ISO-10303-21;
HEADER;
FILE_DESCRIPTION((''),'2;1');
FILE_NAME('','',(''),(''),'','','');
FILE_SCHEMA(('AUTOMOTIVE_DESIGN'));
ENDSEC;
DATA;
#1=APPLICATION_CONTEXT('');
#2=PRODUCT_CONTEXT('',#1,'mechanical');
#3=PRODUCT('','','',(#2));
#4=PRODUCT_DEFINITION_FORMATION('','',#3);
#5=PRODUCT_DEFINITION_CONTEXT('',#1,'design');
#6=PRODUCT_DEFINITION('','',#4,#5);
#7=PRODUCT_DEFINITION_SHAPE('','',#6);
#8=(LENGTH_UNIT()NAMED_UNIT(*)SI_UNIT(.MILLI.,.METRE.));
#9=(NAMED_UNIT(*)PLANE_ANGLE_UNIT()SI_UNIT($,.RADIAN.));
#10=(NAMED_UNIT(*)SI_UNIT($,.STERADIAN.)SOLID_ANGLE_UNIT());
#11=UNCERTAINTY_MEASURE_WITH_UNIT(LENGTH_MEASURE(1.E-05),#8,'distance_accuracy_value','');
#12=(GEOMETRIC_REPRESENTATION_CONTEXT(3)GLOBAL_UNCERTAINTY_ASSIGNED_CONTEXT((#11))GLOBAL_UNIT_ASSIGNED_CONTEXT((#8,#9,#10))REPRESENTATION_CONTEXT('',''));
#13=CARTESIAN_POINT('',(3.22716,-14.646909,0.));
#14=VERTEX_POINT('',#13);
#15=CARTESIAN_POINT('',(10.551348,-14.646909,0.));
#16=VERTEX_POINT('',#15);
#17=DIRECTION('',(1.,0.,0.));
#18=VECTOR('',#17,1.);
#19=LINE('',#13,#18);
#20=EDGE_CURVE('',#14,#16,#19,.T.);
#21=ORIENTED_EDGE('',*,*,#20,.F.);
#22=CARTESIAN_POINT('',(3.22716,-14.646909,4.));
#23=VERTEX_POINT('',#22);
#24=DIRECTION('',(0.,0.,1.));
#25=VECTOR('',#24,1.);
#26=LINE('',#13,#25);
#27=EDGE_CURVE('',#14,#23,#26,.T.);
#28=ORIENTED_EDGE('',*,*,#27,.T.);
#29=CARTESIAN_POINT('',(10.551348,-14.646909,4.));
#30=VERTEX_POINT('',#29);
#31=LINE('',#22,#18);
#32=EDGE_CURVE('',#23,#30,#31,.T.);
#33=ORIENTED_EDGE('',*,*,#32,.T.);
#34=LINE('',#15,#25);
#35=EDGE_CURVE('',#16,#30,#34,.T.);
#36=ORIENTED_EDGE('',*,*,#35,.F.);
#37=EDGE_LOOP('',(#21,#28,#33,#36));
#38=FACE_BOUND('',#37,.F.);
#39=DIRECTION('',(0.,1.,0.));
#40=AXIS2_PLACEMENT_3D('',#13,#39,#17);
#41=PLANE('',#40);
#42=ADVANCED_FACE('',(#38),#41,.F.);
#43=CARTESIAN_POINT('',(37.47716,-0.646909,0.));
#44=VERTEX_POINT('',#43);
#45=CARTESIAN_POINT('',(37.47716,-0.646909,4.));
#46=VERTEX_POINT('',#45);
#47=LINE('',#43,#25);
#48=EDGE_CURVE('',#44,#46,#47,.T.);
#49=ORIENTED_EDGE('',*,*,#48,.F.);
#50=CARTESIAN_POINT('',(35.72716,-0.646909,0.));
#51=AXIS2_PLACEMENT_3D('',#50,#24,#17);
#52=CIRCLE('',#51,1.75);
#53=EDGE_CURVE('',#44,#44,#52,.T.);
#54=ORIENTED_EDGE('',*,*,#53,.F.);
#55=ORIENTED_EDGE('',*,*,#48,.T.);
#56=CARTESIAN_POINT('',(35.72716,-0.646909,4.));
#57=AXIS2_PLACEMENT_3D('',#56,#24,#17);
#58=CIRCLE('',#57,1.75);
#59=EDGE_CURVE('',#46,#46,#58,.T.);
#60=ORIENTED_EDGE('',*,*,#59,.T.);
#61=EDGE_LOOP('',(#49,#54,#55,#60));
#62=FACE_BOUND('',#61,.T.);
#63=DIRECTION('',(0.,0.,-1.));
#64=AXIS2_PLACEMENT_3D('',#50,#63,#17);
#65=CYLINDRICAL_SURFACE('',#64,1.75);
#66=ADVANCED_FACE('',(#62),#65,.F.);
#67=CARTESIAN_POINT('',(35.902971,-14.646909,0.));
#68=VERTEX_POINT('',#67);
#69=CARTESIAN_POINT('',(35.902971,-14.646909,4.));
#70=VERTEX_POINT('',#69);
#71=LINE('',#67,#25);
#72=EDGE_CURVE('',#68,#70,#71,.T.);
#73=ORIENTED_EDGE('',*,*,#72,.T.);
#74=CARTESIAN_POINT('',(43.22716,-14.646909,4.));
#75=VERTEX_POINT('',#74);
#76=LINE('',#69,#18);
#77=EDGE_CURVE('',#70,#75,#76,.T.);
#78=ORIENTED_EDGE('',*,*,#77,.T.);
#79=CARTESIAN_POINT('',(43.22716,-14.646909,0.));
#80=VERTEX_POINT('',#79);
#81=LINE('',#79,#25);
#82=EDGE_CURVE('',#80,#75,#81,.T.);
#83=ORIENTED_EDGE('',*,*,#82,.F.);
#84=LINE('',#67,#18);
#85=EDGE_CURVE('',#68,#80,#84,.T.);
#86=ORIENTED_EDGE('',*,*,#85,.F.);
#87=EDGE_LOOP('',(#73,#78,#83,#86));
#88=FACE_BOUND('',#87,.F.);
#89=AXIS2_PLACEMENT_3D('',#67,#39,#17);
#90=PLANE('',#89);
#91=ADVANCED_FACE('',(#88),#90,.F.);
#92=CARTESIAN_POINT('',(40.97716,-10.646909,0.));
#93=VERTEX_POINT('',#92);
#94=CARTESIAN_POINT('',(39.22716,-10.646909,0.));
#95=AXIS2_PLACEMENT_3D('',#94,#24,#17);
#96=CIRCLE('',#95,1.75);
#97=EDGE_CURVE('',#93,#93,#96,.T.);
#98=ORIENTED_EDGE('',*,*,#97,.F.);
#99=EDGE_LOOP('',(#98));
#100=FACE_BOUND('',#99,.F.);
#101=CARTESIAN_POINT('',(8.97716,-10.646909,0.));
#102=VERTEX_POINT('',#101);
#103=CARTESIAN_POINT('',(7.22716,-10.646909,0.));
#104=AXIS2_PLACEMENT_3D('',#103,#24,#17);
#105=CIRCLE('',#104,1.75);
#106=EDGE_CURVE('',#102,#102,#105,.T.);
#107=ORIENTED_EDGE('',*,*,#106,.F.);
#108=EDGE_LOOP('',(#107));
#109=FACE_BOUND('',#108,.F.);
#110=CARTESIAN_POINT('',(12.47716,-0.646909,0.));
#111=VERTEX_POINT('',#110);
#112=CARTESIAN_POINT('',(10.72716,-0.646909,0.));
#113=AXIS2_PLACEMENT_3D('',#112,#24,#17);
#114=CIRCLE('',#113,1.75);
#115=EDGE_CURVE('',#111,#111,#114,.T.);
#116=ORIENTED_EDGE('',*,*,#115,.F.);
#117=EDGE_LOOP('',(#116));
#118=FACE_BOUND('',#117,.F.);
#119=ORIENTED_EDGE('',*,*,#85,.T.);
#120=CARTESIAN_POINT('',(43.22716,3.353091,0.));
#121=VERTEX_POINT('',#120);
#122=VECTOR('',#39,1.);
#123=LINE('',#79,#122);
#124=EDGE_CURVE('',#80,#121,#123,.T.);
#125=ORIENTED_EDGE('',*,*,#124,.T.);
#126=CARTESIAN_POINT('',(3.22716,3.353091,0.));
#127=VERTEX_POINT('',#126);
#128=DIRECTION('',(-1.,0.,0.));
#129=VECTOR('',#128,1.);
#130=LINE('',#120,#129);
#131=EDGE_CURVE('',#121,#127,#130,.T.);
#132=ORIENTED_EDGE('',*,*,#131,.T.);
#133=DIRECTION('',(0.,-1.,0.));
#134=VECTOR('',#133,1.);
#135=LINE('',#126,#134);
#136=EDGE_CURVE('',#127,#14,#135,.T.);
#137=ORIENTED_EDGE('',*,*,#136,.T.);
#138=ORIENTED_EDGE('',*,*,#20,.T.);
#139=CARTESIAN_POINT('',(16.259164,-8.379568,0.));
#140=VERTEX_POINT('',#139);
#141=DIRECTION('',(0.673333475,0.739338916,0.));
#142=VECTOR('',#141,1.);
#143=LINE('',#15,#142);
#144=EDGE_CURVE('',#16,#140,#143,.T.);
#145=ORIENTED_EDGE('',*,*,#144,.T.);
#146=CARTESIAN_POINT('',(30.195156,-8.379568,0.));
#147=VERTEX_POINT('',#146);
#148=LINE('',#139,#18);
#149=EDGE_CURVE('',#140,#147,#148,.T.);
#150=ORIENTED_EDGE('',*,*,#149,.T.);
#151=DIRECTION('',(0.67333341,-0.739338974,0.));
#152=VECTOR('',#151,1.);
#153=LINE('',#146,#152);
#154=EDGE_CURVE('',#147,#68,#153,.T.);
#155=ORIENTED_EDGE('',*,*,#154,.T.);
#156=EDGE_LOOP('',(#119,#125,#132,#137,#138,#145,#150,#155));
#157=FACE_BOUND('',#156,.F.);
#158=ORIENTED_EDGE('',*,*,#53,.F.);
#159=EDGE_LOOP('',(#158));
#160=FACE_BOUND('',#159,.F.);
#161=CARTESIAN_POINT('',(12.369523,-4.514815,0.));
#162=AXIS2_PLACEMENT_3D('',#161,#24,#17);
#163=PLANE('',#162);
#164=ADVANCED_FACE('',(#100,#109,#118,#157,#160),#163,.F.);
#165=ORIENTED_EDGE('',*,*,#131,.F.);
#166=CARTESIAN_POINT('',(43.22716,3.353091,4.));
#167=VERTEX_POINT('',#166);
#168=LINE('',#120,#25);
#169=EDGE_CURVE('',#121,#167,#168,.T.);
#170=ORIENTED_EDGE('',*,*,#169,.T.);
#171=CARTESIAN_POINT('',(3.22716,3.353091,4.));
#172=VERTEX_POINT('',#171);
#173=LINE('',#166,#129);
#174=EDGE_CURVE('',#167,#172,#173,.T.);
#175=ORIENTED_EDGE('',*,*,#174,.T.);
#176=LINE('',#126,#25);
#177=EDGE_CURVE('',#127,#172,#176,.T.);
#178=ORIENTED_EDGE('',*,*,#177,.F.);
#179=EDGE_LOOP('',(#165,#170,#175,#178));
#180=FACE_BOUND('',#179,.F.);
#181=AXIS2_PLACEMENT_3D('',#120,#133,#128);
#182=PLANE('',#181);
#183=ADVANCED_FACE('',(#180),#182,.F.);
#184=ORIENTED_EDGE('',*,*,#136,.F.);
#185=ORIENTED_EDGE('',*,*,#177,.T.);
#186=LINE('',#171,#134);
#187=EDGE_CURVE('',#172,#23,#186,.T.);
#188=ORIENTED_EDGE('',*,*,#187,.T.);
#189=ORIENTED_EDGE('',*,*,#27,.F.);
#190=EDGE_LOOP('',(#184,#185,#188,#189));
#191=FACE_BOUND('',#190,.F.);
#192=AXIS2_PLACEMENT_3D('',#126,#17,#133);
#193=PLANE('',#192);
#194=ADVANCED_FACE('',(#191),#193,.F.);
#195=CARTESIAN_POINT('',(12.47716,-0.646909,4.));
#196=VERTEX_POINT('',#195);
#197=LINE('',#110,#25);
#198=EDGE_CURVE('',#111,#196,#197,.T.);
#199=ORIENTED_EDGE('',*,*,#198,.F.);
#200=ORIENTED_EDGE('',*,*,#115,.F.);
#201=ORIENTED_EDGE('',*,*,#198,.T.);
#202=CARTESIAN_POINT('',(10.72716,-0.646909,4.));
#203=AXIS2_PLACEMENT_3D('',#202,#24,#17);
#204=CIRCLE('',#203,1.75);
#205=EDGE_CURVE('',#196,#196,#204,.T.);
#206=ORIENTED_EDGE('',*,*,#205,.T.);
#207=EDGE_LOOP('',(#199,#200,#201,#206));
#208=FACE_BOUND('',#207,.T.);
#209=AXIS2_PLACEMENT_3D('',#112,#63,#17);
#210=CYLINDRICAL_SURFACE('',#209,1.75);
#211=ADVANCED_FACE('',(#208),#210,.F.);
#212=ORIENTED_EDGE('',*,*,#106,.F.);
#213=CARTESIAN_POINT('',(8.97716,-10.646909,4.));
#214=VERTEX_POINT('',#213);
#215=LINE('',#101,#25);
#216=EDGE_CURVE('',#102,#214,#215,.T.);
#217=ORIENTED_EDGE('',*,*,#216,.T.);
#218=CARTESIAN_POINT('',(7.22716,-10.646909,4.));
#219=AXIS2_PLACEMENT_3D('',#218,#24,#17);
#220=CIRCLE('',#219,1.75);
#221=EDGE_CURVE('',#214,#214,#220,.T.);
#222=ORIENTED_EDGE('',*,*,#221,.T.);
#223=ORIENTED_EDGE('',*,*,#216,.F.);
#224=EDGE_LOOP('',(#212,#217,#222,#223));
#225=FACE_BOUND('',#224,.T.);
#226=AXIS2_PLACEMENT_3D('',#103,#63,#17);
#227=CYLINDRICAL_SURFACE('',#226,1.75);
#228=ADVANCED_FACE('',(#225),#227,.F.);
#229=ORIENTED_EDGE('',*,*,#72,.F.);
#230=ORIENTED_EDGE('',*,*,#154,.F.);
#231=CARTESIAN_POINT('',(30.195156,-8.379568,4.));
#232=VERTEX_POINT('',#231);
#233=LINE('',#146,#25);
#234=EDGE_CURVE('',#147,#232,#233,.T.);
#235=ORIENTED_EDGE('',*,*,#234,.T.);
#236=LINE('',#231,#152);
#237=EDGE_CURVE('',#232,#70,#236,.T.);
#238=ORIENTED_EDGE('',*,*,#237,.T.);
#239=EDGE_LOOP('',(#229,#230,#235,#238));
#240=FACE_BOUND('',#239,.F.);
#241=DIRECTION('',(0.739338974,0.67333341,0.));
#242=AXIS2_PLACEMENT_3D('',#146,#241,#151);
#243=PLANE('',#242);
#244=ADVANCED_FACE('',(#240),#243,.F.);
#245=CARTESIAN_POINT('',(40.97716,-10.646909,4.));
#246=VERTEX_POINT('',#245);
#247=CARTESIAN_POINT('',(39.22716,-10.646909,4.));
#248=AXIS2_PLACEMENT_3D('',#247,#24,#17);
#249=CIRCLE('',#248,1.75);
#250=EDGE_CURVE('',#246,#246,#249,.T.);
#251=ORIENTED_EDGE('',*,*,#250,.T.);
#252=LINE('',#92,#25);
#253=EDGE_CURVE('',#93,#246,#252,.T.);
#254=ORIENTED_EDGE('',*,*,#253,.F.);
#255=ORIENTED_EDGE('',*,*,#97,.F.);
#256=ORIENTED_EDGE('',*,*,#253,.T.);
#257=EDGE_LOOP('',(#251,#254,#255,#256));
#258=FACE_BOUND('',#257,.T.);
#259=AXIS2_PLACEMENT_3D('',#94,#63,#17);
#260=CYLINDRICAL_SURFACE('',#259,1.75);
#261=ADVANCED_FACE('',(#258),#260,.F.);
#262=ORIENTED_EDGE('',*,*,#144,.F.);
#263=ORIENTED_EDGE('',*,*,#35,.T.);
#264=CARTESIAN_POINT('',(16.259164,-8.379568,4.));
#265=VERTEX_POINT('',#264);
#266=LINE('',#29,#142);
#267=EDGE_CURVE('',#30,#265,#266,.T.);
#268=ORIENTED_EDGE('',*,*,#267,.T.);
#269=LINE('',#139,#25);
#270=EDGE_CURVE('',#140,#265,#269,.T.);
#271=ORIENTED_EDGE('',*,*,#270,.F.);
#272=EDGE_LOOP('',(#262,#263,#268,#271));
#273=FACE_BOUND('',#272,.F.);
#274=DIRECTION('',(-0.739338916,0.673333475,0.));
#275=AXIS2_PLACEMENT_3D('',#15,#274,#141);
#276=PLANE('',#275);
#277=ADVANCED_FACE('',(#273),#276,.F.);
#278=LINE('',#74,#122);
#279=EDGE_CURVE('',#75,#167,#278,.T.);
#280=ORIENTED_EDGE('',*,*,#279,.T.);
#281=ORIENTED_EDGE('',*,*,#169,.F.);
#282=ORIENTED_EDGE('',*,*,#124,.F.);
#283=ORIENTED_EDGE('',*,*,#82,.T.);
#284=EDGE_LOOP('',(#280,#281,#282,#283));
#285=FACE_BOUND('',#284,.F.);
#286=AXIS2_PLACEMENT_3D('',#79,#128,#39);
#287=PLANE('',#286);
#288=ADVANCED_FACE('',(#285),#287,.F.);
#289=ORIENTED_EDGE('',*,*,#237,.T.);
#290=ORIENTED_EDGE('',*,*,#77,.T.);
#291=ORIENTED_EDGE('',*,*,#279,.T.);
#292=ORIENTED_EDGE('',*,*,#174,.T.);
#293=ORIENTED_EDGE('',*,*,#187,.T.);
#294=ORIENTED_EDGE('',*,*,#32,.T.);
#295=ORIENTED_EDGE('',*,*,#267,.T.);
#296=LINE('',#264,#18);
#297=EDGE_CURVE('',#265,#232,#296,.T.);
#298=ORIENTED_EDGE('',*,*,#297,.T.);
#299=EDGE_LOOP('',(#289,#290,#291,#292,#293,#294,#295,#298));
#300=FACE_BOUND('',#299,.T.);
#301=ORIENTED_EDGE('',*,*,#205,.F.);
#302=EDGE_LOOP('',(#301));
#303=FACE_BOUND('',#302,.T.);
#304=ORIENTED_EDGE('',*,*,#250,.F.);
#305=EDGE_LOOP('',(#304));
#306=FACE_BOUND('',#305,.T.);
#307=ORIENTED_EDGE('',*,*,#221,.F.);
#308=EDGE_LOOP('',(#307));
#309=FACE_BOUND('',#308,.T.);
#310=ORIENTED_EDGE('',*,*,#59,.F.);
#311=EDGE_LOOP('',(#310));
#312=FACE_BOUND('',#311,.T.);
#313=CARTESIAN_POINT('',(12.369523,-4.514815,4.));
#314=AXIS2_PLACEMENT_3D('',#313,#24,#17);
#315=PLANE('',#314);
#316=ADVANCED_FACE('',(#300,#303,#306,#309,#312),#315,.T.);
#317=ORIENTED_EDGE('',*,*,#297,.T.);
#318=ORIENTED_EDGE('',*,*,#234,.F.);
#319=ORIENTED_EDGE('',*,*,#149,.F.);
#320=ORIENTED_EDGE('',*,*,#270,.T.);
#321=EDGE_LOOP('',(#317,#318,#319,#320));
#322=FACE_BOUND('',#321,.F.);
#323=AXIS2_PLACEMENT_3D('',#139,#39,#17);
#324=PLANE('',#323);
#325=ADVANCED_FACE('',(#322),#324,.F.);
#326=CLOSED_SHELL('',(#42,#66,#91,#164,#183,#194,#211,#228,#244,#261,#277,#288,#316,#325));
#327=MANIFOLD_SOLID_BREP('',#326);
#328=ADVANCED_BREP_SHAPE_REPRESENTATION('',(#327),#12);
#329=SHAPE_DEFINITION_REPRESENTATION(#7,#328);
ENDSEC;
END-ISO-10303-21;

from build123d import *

# Parameters (mm, degrees)
F0_R     = 1.75
F1_DEPTH = 4


with BuildPart() as f1:
    # F0 (on Top) → F1 (new body)
    with BuildSketch(Plane.XY):
        Polygon((23.22716, 3.353091), (3.22716, 3.353091), (3.22716, -14.646909), (10.551348, -14.646909), (16.259164, -8.379568), (23.22716, -8.379568), align=None)
        with Locations((7.22716, -10.646909)):
            Circle(F0_R, mode=Mode.SUBTRACT)
        with Locations((10.72716, -0.646909)):
            Circle(F0_R, mode=Mode.SUBTRACT)
        Polygon((43.22716, 3.353091), (23.22716, 3.353091), (23.22716, -8.379568), (30.195156, -8.379568), (35.902971, -14.646909), (43.22716, -14.646909), align=None)
        with Locations((39.22716, -10.646909)):
            Circle(F0_R, mode=Mode.SUBTRACT)
        with Locations((35.72716, -0.646909)):
            Circle(F0_R, mode=Mode.SUBTRACT)
    extrude(amount=F1_DEPTH)


solid = f1.part
